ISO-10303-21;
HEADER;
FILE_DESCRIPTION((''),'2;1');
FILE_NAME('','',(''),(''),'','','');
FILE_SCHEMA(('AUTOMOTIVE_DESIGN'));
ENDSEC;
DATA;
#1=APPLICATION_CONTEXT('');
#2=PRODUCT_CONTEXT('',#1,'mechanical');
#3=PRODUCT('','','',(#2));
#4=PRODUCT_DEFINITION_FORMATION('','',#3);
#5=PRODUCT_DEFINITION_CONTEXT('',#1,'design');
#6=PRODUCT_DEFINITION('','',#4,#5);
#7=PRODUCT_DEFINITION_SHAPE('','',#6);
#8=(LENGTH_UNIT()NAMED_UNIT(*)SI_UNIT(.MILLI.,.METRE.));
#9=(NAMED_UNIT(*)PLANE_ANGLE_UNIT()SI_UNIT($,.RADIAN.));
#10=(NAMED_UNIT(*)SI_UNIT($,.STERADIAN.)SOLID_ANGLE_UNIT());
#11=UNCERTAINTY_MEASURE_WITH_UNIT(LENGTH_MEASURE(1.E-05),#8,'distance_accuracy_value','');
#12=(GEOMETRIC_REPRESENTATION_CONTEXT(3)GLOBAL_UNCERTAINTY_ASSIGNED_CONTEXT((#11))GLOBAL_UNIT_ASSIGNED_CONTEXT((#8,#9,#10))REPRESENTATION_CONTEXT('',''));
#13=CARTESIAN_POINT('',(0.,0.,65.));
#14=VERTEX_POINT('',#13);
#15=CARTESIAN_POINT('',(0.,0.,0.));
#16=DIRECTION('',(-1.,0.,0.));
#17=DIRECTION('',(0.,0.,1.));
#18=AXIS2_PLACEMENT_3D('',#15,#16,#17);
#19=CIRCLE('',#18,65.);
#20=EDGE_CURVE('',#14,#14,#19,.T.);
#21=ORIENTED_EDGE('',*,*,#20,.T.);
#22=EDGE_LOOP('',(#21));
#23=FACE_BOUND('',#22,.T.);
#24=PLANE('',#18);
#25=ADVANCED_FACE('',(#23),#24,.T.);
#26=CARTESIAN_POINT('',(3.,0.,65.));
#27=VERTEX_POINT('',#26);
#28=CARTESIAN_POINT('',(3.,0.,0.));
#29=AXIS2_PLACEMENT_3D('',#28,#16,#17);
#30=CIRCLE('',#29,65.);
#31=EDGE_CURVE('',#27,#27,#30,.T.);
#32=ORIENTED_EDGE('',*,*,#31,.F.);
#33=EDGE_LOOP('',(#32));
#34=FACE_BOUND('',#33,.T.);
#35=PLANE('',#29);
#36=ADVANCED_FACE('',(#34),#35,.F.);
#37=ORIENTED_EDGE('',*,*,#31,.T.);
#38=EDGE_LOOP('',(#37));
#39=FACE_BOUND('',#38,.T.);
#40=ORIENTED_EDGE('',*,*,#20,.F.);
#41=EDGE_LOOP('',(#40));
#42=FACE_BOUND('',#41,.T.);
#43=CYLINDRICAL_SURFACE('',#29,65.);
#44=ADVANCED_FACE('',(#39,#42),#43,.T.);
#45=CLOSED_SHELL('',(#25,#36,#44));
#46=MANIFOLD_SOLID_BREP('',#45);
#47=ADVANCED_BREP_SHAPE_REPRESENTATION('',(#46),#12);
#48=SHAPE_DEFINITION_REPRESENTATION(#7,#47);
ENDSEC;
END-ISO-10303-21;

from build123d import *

# Parameters (mm, degrees)
SKETCH1_R           = 65
BOSS_EXTRUDE1_DEPTH = 3


with BuildPart() as part:
    # Sketch1 → Boss-Extrude1 (new body)
    with BuildSketch(Plane.ZY):
        Circle(SKETCH1_R)
    extrude(amount=-BOSS_EXTRUDE1_DEPTH)


solid = part.part
